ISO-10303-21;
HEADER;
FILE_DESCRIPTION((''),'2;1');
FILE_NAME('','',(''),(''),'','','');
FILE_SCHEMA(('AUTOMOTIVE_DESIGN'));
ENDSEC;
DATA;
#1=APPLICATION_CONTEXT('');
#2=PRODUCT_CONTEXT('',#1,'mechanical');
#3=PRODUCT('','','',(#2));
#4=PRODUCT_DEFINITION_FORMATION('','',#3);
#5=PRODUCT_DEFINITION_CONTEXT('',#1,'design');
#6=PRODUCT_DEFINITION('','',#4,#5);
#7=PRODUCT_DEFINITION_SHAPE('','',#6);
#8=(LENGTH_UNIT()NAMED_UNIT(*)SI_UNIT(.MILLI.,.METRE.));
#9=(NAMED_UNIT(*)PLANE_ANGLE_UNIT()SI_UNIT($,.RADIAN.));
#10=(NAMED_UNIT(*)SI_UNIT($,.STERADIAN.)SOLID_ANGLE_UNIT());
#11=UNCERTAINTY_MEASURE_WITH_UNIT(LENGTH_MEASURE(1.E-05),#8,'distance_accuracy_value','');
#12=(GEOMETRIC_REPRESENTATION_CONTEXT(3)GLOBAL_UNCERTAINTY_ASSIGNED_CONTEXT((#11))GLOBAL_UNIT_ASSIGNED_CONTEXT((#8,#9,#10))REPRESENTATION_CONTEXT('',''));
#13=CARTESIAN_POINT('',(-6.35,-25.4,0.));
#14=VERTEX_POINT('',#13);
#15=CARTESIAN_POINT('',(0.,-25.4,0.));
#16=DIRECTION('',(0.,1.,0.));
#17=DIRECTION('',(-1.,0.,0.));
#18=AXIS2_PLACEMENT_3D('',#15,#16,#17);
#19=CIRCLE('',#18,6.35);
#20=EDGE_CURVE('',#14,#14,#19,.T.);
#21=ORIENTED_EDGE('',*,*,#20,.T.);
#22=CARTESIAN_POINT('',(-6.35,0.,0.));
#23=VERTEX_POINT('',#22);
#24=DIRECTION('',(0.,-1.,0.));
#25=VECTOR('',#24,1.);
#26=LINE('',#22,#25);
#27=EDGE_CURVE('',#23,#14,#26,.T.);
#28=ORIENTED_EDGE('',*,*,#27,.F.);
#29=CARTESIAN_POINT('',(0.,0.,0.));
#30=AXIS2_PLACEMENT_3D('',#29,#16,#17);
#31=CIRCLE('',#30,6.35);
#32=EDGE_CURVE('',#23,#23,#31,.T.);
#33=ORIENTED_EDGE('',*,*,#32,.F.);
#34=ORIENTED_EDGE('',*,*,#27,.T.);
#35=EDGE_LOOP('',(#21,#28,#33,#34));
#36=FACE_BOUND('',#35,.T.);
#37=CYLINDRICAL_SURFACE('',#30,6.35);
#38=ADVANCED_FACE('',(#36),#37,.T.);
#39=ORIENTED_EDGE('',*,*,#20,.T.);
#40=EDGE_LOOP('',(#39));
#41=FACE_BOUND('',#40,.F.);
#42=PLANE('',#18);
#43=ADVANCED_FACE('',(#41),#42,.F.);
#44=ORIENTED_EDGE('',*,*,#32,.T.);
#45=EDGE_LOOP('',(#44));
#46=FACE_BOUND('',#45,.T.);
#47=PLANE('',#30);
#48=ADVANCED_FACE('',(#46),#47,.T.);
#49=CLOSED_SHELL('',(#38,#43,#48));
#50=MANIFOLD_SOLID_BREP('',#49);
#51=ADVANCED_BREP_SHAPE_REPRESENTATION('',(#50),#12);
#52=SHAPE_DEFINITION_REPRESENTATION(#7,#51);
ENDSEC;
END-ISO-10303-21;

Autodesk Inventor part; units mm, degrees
ref_plane "YZ Plane" through (0, 0, 0) normal (1, 0, 0) x (0, 1, 0)
ref_plane "XZ Plane" through (0, 0, 0) normal (0, 1, 0) x (-1, 0, 0)
ref_plane "XY Plane" through (0, 0, 0) normal (0, 0, 1) x (1, 0, 0)
sketch "Sketch1" plane through (0, 0, 0) normal (0, 1, 0) x (-1, 0, 0)
  circle A0 centre (0, 0) radius 6.35
  dimension "d0" = 12.7
extrude "Extrusion3" add sketch "Sketch1" against normal blind 25.4
properties part number "Back Axle"
